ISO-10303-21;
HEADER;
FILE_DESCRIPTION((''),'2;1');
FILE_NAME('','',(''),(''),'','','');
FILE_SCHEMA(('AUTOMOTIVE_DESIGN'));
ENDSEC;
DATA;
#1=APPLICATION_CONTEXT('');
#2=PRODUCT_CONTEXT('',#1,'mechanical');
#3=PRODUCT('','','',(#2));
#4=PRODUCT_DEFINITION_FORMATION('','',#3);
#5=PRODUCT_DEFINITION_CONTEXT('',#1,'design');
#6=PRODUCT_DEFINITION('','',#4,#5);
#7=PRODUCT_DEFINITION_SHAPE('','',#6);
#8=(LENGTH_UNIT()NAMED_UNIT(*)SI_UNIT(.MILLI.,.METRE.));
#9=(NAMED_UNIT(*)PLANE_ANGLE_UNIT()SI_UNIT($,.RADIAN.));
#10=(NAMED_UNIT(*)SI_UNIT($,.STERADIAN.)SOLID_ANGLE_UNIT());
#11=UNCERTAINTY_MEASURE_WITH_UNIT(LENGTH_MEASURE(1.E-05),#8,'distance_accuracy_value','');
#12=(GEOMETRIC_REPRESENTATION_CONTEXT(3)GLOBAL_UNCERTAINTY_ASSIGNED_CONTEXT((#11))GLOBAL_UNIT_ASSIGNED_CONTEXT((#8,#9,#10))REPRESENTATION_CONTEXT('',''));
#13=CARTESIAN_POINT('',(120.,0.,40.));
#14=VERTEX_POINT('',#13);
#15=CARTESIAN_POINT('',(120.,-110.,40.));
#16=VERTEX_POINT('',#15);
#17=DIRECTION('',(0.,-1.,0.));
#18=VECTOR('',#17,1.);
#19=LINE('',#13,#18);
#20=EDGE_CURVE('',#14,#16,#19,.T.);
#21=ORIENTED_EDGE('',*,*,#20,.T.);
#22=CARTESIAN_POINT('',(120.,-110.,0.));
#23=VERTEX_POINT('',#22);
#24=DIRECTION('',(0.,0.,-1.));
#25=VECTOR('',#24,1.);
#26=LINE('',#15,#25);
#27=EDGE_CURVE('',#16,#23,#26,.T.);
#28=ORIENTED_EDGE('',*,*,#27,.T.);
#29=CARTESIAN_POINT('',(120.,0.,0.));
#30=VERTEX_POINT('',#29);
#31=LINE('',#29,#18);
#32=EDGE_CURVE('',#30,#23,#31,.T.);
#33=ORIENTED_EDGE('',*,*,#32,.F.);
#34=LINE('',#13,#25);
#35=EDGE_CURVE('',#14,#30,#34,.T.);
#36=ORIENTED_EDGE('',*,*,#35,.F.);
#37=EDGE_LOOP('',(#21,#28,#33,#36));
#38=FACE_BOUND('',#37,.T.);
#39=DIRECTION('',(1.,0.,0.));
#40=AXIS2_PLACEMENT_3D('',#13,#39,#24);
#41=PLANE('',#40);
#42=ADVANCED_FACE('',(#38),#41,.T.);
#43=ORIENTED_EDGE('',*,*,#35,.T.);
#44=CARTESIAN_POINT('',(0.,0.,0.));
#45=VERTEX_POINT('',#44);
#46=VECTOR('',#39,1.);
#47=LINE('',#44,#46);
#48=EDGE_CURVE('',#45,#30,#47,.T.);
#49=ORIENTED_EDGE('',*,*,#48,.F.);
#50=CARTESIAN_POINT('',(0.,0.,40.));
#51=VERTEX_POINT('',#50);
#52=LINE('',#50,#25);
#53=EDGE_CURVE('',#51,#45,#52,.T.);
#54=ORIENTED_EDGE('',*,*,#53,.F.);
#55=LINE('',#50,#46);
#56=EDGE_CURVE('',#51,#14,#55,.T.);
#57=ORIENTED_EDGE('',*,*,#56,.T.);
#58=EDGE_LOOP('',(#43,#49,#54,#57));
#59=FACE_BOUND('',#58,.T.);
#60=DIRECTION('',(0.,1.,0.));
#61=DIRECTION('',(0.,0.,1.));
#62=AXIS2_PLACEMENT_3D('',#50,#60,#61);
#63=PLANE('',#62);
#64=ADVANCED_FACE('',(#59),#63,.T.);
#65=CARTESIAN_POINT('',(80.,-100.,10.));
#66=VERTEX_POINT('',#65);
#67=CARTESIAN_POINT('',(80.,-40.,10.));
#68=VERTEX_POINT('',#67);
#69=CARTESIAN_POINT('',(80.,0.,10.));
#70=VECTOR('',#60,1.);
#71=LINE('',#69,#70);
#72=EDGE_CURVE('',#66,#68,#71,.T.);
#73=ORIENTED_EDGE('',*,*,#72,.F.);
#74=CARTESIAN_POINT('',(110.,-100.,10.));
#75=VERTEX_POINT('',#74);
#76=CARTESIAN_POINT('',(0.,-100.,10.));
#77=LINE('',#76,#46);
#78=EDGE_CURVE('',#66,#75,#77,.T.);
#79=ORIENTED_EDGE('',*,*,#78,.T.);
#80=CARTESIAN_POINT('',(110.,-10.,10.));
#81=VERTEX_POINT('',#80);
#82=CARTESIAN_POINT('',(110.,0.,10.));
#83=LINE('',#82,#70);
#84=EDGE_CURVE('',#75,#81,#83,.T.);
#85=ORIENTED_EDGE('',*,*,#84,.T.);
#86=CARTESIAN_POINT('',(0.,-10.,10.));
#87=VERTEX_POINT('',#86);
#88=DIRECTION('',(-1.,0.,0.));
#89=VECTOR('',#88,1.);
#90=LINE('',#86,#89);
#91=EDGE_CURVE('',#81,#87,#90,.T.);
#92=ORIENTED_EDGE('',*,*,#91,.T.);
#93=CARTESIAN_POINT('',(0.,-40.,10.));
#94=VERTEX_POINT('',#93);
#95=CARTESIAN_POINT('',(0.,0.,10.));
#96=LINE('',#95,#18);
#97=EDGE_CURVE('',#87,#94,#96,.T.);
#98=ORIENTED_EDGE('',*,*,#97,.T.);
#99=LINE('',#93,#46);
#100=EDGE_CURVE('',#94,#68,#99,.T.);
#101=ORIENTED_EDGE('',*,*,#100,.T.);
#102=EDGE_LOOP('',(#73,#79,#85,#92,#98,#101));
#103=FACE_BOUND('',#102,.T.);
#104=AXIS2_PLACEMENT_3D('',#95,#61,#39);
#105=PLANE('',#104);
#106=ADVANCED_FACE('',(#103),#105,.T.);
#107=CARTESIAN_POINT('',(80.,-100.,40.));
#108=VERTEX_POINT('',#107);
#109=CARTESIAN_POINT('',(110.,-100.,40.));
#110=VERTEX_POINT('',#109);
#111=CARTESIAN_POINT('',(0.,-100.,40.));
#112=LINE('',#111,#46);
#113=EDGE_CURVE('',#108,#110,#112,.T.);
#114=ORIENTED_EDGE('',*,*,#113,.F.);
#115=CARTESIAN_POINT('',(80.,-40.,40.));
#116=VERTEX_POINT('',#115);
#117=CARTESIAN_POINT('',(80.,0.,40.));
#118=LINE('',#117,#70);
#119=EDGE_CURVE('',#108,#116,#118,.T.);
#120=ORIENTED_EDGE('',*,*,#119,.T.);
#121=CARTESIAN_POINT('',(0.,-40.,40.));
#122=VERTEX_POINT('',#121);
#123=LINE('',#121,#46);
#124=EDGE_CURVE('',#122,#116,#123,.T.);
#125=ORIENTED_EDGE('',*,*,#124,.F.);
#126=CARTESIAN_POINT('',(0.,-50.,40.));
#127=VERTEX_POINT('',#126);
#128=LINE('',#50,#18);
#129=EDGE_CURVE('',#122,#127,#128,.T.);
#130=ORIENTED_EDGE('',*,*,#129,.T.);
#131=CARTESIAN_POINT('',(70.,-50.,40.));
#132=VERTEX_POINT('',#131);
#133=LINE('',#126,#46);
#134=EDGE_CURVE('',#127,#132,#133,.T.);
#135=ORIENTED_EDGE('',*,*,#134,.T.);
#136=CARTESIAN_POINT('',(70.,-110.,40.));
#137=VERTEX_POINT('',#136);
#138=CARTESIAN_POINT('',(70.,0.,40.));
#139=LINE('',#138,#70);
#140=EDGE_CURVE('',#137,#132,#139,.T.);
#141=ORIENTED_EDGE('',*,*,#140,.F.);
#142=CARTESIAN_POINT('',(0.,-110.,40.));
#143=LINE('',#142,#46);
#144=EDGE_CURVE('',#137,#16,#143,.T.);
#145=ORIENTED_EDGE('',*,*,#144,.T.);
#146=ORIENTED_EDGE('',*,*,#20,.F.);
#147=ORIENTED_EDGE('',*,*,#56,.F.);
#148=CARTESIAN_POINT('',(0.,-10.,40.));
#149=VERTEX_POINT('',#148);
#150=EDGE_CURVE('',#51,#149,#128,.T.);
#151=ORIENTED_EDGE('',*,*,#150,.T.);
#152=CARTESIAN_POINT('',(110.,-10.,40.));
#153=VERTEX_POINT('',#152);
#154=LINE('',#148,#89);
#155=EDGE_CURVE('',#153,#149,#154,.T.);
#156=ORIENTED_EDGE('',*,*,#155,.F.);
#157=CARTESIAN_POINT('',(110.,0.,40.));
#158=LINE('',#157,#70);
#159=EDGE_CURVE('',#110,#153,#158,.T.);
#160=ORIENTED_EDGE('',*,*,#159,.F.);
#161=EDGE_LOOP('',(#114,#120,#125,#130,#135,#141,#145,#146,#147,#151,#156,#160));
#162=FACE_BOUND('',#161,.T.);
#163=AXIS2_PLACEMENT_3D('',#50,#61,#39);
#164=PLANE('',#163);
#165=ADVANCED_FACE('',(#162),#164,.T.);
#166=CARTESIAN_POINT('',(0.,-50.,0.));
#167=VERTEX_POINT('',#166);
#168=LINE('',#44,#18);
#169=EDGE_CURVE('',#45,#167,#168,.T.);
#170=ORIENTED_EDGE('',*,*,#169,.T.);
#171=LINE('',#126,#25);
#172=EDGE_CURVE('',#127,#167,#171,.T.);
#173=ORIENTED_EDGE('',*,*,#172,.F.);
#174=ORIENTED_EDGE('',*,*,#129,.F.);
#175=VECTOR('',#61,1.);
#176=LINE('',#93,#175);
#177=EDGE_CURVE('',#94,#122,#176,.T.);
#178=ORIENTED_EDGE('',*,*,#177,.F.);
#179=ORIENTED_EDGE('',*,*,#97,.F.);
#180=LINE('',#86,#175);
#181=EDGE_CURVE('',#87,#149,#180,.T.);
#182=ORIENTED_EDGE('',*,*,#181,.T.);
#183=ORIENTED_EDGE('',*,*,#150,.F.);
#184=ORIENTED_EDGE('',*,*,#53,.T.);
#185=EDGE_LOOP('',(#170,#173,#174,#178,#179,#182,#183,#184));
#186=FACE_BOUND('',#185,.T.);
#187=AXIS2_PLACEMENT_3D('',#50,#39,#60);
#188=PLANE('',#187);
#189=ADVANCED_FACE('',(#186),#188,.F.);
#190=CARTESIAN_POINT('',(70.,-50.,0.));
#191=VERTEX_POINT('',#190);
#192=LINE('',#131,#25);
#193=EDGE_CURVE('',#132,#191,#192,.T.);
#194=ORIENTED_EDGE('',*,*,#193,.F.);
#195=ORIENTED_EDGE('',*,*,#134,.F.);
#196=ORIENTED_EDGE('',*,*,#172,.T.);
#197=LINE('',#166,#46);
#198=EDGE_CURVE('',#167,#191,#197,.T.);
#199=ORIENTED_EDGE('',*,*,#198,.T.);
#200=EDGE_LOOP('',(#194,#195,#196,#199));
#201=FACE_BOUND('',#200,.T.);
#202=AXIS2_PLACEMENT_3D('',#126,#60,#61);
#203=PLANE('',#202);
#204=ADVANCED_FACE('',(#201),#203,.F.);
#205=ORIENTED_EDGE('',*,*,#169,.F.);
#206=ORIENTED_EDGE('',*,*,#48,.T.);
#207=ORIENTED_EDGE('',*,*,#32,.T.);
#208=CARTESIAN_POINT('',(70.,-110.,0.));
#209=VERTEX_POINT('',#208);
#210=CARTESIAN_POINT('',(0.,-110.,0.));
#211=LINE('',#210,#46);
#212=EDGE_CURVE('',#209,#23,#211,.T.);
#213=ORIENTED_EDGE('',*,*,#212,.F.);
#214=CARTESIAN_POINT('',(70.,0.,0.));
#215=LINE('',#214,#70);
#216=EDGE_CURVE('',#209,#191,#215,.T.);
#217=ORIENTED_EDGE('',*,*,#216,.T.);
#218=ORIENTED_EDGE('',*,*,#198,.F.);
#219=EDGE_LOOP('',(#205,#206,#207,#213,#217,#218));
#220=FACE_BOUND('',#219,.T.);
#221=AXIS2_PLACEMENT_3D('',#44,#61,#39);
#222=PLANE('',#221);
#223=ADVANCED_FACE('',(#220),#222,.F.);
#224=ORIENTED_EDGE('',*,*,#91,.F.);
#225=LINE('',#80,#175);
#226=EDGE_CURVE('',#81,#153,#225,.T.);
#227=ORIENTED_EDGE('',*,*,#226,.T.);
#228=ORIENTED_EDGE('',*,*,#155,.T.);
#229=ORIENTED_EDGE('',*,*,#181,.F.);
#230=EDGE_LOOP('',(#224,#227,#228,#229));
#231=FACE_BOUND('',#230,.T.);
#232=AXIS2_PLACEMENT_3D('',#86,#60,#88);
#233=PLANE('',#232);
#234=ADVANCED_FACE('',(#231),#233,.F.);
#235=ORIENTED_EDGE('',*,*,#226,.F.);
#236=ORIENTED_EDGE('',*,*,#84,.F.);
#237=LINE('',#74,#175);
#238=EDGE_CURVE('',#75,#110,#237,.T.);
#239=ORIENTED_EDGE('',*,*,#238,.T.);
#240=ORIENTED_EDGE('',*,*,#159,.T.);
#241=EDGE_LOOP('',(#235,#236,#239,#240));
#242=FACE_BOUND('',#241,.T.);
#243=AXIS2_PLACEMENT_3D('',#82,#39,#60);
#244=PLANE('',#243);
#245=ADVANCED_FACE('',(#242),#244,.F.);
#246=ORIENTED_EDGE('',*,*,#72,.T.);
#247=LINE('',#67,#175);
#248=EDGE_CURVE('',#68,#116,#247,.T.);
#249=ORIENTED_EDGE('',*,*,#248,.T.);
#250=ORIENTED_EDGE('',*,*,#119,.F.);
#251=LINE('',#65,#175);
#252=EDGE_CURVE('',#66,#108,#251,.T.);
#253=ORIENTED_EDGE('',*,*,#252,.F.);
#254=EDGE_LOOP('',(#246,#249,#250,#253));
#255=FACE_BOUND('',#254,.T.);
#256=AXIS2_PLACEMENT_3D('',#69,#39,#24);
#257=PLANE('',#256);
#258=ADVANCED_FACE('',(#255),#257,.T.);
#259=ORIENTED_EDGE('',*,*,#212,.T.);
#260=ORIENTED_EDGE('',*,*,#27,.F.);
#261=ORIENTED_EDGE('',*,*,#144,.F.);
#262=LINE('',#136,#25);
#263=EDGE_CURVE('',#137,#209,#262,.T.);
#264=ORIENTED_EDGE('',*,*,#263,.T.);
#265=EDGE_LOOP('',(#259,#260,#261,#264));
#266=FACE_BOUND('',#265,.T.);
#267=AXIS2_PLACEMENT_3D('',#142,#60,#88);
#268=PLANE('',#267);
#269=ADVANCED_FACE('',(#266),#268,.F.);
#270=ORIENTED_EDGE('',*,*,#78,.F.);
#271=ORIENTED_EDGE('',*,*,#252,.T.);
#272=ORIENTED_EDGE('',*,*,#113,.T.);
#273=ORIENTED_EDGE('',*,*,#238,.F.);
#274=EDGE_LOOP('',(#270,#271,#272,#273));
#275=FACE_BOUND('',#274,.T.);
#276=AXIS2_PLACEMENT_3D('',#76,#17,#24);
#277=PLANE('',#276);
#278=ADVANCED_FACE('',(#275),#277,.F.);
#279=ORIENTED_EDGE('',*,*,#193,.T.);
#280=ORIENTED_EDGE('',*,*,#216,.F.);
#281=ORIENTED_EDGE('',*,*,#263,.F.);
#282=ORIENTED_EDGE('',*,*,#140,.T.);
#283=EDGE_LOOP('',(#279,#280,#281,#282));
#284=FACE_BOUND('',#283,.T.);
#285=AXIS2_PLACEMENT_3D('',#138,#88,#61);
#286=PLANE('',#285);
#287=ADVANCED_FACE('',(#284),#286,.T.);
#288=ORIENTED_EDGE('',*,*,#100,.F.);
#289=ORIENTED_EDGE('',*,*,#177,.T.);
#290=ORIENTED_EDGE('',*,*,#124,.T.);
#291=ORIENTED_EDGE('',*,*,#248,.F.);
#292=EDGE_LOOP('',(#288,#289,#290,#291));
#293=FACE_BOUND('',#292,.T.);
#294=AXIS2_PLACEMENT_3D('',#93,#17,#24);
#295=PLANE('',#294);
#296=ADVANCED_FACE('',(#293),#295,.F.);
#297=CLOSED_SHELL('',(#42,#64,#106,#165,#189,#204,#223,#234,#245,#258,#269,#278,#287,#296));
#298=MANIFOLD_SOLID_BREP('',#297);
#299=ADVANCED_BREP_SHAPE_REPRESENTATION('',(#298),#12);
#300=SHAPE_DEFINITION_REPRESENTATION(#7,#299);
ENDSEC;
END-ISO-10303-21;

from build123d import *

# Parameters (mm, degrees)
EXTRUDE_1_DEPTH     = 40
CUT_EXTRUDE_1_DEPTH = 30


with BuildPart() as part:
    # 스케치1 → 보스-돌출1 (new body)
    with BuildSketch(Plane.XY):
        Polygon((70, -50), (70, -110), (120, -110), (120, 0), (0, 0), (0, -50), align=None)
    extrude(amount=EXTRUDE_1_DEPTH)

    # 스케치2 → 컷-돌출1 (cut)
    with BuildSketch(Plane.XY.offset(40)):
        Polygon((80, -40), (80, -100), (110, -100), (110, -10), (0, -10), (0, -40), align=None)
    extrude(amount=-CUT_EXTRUDE_1_DEPTH, mode=Mode.SUBTRACT)


solid = part.part
